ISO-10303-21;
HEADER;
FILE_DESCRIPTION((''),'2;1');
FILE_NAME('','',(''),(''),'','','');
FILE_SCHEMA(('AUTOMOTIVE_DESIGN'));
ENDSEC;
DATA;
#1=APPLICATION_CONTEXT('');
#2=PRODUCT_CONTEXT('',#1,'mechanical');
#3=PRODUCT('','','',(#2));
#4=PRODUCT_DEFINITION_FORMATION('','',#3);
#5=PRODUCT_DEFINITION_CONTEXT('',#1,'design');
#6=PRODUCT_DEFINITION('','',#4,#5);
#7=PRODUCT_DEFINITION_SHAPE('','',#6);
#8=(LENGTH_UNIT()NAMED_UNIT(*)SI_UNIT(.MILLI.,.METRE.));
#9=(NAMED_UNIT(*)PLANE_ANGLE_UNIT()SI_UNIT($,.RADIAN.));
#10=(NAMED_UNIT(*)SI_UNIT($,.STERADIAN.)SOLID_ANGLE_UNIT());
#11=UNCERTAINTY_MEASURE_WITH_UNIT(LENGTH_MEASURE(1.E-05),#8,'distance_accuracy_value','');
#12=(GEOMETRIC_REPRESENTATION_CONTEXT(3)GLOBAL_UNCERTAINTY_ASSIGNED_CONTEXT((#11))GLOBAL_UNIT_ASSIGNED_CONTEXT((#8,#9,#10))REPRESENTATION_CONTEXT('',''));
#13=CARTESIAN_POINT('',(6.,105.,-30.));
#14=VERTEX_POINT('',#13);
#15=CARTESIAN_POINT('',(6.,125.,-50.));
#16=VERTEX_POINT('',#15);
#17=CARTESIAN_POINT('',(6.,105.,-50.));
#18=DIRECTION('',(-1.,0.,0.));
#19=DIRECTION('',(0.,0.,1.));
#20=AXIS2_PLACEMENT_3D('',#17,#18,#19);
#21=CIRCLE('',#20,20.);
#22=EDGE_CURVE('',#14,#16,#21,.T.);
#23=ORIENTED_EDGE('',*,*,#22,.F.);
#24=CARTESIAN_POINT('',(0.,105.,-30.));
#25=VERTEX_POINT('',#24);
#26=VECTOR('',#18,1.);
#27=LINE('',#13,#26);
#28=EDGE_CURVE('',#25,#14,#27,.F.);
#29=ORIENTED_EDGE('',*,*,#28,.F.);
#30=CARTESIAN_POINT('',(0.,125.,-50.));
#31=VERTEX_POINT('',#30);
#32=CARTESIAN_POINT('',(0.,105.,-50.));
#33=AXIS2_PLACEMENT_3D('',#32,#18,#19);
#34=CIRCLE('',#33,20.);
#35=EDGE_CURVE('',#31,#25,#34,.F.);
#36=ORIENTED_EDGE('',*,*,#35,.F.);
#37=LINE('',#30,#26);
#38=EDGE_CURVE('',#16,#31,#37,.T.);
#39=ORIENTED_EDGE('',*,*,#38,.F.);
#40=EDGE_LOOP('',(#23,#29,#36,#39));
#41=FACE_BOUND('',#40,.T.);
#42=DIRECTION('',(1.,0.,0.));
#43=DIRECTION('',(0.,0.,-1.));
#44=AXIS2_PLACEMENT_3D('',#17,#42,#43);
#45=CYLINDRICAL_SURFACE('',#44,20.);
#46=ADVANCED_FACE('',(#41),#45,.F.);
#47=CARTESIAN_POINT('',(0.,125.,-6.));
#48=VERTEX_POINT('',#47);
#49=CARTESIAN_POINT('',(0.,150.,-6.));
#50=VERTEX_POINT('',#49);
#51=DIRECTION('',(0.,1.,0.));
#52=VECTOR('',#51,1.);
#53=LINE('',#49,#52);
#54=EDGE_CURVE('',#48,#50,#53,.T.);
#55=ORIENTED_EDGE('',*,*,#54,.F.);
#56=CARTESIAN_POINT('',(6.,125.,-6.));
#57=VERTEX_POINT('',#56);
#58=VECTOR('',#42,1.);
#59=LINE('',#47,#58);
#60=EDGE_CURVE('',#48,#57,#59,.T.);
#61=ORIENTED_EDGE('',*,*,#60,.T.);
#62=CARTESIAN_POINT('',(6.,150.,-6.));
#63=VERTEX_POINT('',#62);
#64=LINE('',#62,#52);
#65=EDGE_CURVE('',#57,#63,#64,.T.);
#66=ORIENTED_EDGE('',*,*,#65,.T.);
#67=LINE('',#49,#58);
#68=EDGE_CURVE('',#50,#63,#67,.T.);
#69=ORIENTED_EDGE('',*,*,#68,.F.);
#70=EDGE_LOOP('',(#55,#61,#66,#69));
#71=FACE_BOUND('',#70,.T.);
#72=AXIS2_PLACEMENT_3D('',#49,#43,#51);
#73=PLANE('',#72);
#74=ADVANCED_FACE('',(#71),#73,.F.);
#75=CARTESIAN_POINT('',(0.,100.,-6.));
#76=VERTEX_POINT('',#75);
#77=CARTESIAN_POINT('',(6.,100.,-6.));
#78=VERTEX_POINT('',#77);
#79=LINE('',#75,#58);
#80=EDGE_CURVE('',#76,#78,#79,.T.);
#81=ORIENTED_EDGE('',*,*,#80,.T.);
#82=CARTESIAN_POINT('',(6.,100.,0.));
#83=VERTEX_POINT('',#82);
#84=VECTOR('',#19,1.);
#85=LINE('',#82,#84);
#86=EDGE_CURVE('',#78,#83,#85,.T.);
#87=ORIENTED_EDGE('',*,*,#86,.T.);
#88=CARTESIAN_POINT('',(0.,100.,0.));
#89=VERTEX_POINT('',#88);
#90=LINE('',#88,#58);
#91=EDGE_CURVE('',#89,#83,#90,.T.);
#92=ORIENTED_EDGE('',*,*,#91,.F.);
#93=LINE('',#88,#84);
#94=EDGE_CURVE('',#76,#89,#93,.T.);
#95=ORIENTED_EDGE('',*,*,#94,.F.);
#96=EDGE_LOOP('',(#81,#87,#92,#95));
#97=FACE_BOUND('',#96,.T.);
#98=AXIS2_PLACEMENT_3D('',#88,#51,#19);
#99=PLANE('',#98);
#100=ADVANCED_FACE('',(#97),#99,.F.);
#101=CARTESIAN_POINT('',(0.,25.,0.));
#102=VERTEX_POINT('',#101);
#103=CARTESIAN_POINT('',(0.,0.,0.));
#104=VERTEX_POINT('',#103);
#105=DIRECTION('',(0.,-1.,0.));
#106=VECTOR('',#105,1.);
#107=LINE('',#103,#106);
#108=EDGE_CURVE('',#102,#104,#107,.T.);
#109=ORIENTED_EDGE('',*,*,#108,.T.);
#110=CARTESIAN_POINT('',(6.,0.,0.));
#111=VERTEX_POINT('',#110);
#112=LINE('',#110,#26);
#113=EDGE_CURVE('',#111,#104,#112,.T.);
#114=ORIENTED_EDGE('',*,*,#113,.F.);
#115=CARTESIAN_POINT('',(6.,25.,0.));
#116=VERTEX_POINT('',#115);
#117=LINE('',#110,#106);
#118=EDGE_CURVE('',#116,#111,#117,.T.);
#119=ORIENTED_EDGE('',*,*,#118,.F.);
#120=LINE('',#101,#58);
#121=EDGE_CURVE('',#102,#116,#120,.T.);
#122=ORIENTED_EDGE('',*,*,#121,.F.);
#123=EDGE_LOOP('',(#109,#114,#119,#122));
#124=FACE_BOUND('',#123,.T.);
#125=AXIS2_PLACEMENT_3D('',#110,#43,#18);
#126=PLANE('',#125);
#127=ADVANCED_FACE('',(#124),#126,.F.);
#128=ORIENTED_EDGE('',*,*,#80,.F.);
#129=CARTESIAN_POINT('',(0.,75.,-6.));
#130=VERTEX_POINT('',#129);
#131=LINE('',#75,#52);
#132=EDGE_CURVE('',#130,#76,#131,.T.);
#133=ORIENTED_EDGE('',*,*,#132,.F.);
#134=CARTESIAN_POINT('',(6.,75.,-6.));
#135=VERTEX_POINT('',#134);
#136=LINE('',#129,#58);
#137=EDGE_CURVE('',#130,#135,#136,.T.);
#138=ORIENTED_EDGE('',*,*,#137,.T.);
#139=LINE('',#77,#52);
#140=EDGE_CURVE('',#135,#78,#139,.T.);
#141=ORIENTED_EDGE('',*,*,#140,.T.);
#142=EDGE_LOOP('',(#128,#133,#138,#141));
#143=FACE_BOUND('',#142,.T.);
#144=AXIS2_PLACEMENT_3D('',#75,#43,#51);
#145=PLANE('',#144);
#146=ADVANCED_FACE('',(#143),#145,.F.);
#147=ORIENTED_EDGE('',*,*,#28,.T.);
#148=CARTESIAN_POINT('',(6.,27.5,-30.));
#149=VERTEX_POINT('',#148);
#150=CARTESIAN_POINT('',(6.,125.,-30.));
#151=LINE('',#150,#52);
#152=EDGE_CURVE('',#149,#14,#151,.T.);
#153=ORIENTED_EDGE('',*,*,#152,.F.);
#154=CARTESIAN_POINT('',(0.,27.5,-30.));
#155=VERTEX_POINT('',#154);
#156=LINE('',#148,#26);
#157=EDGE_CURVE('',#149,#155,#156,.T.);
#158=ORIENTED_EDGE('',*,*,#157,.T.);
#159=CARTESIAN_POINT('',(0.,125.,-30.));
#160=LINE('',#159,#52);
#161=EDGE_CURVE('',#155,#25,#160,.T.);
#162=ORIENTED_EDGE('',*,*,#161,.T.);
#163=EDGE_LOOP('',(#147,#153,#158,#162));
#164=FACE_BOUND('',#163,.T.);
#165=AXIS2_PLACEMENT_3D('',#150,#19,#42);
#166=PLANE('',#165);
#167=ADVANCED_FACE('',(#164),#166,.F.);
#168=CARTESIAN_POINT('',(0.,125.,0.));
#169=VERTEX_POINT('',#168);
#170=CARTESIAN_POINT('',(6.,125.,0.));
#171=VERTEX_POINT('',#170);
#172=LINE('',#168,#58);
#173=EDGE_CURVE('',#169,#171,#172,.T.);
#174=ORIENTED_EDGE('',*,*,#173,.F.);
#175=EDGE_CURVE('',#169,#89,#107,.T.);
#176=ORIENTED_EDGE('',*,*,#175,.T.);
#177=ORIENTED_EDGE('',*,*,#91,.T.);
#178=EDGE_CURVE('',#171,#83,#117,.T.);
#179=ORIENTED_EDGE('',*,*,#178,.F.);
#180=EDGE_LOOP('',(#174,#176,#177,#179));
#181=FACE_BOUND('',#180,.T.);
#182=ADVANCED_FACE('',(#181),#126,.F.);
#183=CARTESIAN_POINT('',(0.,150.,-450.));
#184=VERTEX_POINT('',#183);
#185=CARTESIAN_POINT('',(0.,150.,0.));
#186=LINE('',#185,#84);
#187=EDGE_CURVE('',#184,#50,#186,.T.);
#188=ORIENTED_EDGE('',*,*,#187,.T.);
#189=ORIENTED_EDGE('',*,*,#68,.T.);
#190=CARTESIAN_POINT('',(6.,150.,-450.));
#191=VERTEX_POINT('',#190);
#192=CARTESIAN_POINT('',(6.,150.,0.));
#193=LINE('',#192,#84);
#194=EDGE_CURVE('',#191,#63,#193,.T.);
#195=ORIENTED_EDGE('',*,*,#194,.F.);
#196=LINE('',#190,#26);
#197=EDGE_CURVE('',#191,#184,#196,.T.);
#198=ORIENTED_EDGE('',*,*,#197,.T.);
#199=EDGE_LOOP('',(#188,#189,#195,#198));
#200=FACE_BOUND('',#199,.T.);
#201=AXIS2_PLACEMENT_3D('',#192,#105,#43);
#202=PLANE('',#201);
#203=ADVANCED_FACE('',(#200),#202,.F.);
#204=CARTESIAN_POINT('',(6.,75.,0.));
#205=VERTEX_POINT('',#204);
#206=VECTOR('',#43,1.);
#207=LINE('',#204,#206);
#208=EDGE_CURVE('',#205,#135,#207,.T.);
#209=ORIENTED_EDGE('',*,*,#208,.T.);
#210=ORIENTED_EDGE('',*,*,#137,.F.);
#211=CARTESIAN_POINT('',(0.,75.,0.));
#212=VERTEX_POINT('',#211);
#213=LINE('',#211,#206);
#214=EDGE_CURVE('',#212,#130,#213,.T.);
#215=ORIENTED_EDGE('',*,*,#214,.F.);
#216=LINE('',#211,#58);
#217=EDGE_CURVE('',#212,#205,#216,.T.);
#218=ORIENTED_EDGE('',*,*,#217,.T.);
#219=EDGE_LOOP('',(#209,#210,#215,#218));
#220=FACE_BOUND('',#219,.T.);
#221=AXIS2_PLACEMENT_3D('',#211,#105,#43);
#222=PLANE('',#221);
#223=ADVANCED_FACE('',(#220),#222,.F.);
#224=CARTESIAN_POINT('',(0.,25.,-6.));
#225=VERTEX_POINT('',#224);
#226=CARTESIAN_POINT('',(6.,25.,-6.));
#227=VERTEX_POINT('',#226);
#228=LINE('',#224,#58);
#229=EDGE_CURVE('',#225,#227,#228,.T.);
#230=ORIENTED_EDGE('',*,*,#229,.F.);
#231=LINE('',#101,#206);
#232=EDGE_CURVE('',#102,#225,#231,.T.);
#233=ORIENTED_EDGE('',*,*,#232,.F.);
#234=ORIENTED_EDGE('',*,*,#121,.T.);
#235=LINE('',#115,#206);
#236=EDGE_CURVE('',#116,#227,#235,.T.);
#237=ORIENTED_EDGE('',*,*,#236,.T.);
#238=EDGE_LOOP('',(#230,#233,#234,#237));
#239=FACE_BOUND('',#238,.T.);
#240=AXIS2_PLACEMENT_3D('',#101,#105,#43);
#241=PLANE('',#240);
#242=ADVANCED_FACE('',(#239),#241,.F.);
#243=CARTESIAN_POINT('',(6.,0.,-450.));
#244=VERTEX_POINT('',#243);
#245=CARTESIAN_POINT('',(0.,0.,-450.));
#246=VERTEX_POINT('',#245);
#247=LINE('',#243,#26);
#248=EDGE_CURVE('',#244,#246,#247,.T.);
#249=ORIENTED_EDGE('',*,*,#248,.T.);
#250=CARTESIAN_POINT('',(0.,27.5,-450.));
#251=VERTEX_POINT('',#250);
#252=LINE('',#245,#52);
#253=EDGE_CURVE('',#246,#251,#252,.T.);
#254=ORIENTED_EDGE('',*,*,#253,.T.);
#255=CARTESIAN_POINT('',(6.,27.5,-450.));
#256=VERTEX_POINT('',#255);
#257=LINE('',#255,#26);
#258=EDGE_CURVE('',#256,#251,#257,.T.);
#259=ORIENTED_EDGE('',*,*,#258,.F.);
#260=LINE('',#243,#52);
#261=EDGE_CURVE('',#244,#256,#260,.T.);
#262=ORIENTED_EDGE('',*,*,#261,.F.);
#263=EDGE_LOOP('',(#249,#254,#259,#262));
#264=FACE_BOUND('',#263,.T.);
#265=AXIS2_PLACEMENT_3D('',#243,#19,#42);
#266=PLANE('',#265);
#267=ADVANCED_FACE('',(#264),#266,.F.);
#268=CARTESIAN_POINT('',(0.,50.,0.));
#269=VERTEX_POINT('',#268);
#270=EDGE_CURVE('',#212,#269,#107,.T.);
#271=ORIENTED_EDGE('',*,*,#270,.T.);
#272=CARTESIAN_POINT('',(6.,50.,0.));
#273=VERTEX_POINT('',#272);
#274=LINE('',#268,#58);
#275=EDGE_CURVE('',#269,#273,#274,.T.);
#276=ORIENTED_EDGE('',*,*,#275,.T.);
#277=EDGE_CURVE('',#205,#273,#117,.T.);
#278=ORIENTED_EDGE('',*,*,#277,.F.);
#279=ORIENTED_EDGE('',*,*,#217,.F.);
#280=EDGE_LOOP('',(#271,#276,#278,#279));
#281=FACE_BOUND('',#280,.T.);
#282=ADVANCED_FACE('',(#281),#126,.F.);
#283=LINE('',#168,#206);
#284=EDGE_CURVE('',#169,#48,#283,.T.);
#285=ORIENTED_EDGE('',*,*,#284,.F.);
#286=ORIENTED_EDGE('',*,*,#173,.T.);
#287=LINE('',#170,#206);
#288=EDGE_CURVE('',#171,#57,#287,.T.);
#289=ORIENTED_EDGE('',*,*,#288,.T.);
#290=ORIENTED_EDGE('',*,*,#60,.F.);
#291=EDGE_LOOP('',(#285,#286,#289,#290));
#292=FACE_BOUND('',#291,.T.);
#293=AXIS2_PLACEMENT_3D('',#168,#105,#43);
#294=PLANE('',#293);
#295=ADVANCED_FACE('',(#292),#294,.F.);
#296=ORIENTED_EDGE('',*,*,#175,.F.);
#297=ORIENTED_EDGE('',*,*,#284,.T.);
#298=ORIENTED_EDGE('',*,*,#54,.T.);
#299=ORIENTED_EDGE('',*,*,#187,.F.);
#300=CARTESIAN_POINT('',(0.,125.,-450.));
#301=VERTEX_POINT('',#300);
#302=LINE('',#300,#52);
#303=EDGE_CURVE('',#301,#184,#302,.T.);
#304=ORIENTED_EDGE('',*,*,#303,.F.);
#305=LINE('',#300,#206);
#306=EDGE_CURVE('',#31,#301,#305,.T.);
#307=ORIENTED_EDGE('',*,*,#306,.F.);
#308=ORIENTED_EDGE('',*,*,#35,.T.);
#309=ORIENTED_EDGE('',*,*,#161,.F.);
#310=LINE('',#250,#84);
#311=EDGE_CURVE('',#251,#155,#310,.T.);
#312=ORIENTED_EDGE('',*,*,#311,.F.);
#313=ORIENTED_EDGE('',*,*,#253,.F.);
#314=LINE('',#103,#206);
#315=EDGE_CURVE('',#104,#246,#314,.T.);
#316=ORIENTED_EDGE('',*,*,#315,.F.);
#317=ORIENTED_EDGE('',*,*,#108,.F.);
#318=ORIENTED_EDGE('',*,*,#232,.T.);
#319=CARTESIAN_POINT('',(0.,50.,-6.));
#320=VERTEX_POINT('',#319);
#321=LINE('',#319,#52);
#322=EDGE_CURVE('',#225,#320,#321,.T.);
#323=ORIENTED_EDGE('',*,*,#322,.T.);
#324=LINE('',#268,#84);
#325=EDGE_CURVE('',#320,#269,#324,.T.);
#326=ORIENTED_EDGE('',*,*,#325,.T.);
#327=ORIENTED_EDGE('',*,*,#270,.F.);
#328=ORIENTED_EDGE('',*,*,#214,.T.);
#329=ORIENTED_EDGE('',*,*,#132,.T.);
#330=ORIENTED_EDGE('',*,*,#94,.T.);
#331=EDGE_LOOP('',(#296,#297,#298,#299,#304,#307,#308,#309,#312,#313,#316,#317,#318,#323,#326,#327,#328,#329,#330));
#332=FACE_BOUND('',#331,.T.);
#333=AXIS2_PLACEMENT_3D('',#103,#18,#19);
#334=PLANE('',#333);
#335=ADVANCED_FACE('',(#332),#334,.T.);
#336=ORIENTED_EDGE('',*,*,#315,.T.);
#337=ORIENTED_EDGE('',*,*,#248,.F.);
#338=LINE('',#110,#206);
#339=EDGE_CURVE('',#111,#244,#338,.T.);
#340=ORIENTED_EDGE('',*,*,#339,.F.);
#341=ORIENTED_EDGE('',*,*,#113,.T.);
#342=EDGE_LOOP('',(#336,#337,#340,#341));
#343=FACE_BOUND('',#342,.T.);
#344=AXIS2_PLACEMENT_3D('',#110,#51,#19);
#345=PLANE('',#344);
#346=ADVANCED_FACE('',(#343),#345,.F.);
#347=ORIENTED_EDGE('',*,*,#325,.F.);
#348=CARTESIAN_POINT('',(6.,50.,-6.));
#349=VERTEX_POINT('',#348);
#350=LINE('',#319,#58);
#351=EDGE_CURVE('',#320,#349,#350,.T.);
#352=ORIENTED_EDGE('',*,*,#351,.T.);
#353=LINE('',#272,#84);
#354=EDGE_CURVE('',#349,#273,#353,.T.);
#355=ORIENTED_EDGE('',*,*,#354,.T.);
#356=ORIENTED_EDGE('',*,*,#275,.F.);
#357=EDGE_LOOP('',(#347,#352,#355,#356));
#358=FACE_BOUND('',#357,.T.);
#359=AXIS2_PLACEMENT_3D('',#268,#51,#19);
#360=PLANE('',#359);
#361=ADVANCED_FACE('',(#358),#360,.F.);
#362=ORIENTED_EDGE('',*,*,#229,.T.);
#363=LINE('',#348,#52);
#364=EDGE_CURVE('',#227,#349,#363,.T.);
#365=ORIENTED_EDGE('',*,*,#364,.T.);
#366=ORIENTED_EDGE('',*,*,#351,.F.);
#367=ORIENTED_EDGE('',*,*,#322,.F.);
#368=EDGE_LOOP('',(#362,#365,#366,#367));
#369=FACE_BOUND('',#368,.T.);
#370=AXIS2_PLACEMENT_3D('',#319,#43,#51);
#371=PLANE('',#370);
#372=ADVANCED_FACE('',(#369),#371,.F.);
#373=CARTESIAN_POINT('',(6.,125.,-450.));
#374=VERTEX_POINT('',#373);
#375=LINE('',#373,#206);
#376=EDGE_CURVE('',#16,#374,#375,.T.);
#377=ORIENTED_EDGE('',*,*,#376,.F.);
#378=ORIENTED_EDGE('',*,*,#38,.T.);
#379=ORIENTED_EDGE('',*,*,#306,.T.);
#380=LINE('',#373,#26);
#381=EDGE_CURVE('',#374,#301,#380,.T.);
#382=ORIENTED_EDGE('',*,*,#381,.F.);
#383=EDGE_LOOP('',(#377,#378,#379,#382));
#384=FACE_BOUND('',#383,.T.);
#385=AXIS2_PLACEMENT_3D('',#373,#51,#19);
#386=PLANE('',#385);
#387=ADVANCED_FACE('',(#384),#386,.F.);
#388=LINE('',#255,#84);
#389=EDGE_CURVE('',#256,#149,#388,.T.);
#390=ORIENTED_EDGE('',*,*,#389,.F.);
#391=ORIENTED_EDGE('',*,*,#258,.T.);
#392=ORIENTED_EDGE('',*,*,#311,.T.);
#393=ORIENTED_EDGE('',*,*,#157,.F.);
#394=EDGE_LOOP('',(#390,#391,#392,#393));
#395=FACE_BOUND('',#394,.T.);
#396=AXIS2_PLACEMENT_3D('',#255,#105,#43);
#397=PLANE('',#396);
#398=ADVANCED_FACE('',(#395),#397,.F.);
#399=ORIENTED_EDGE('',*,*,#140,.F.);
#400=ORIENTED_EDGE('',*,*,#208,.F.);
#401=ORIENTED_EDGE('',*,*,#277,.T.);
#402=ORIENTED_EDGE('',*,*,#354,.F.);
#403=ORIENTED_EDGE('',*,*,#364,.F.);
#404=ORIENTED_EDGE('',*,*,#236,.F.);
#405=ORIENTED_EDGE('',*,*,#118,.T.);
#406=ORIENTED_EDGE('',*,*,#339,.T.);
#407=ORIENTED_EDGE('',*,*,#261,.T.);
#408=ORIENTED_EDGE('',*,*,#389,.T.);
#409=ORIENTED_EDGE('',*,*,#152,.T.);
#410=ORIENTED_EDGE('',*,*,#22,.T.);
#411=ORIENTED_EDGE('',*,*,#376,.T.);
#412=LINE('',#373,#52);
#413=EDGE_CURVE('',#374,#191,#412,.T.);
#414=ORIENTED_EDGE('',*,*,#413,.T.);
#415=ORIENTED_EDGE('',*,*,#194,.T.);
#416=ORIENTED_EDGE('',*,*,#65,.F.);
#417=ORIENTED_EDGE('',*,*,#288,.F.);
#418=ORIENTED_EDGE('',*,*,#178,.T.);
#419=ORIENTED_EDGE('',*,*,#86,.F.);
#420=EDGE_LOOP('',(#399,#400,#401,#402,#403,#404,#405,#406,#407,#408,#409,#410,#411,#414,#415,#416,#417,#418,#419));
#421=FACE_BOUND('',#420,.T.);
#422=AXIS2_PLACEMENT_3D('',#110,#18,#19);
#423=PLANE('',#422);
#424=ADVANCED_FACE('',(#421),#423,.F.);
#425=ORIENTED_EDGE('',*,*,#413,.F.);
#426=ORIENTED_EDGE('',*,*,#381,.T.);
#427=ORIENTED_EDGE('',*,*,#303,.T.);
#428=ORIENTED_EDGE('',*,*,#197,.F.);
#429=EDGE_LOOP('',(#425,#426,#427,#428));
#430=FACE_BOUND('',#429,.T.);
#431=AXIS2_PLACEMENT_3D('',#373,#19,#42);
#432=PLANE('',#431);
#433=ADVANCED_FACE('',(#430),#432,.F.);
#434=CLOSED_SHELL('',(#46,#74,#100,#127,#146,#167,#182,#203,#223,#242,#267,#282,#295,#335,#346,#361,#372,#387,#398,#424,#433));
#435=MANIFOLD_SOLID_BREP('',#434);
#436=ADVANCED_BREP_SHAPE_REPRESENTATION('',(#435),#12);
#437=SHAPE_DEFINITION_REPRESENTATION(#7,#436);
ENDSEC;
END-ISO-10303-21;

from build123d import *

# Parameters (mm, degrees)
BOSS_EXTRUDE1_DEPTH = 6
SKETCH2_W           = 6
SKETCH2_H           = 25
CUT_EXTRUDE1_DEPTH  = 6
LPATTERN1_COUNT     = 3
LPATTERN1_PITCH     = 50
FILLET1_R           = 20


with BuildPart() as part:
    # Sketch1 → Boss-Extrude1 (new body)
    with BuildSketch(Plane(origin=(0, 0, 0), x_dir=(0, 0, -1), z_dir=(1, 0, 0))):
        Polygon((450, 125), (450, 150), (0, 150), (0, 0), (450, 0), (450, 27.5), (30, 27.5), (30, 125), align=None)
    extrude(amount=BOSS_EXTRUDE1_DEPTH)

    # Sketch2 → Cut-Extrude1 (cut)
    with BuildSketch(Plane(origin=(6, 0, 0), x_dir=(0, 0, -1), z_dir=(1, 0, 0))):
        with Locations((3, 137.5)):
            Rectangle(SKETCH2_W, SKETCH2_H)
    cut_extrude1 = extrude(amount=-CUT_EXTRUDE1_DEPTH, mode=Mode.SUBTRACT)

    # LPattern1: Cut-Extrude1 ×3
    with Locations(*[(0, -i * LPATTERN1_PITCH, 0) for i in range(1, LPATTERN1_COUNT)]):
        add(cut_extrude1, mode=Mode.SUBTRACT)

    # Fillet1
    fillet1_edges = [part.edges().sort_by_distance(p)[0] for p in [
        (3, 125, -30),
    ]]
    fillet(fillet1_edges, radius=FILLET1_R)


solid = part.part
